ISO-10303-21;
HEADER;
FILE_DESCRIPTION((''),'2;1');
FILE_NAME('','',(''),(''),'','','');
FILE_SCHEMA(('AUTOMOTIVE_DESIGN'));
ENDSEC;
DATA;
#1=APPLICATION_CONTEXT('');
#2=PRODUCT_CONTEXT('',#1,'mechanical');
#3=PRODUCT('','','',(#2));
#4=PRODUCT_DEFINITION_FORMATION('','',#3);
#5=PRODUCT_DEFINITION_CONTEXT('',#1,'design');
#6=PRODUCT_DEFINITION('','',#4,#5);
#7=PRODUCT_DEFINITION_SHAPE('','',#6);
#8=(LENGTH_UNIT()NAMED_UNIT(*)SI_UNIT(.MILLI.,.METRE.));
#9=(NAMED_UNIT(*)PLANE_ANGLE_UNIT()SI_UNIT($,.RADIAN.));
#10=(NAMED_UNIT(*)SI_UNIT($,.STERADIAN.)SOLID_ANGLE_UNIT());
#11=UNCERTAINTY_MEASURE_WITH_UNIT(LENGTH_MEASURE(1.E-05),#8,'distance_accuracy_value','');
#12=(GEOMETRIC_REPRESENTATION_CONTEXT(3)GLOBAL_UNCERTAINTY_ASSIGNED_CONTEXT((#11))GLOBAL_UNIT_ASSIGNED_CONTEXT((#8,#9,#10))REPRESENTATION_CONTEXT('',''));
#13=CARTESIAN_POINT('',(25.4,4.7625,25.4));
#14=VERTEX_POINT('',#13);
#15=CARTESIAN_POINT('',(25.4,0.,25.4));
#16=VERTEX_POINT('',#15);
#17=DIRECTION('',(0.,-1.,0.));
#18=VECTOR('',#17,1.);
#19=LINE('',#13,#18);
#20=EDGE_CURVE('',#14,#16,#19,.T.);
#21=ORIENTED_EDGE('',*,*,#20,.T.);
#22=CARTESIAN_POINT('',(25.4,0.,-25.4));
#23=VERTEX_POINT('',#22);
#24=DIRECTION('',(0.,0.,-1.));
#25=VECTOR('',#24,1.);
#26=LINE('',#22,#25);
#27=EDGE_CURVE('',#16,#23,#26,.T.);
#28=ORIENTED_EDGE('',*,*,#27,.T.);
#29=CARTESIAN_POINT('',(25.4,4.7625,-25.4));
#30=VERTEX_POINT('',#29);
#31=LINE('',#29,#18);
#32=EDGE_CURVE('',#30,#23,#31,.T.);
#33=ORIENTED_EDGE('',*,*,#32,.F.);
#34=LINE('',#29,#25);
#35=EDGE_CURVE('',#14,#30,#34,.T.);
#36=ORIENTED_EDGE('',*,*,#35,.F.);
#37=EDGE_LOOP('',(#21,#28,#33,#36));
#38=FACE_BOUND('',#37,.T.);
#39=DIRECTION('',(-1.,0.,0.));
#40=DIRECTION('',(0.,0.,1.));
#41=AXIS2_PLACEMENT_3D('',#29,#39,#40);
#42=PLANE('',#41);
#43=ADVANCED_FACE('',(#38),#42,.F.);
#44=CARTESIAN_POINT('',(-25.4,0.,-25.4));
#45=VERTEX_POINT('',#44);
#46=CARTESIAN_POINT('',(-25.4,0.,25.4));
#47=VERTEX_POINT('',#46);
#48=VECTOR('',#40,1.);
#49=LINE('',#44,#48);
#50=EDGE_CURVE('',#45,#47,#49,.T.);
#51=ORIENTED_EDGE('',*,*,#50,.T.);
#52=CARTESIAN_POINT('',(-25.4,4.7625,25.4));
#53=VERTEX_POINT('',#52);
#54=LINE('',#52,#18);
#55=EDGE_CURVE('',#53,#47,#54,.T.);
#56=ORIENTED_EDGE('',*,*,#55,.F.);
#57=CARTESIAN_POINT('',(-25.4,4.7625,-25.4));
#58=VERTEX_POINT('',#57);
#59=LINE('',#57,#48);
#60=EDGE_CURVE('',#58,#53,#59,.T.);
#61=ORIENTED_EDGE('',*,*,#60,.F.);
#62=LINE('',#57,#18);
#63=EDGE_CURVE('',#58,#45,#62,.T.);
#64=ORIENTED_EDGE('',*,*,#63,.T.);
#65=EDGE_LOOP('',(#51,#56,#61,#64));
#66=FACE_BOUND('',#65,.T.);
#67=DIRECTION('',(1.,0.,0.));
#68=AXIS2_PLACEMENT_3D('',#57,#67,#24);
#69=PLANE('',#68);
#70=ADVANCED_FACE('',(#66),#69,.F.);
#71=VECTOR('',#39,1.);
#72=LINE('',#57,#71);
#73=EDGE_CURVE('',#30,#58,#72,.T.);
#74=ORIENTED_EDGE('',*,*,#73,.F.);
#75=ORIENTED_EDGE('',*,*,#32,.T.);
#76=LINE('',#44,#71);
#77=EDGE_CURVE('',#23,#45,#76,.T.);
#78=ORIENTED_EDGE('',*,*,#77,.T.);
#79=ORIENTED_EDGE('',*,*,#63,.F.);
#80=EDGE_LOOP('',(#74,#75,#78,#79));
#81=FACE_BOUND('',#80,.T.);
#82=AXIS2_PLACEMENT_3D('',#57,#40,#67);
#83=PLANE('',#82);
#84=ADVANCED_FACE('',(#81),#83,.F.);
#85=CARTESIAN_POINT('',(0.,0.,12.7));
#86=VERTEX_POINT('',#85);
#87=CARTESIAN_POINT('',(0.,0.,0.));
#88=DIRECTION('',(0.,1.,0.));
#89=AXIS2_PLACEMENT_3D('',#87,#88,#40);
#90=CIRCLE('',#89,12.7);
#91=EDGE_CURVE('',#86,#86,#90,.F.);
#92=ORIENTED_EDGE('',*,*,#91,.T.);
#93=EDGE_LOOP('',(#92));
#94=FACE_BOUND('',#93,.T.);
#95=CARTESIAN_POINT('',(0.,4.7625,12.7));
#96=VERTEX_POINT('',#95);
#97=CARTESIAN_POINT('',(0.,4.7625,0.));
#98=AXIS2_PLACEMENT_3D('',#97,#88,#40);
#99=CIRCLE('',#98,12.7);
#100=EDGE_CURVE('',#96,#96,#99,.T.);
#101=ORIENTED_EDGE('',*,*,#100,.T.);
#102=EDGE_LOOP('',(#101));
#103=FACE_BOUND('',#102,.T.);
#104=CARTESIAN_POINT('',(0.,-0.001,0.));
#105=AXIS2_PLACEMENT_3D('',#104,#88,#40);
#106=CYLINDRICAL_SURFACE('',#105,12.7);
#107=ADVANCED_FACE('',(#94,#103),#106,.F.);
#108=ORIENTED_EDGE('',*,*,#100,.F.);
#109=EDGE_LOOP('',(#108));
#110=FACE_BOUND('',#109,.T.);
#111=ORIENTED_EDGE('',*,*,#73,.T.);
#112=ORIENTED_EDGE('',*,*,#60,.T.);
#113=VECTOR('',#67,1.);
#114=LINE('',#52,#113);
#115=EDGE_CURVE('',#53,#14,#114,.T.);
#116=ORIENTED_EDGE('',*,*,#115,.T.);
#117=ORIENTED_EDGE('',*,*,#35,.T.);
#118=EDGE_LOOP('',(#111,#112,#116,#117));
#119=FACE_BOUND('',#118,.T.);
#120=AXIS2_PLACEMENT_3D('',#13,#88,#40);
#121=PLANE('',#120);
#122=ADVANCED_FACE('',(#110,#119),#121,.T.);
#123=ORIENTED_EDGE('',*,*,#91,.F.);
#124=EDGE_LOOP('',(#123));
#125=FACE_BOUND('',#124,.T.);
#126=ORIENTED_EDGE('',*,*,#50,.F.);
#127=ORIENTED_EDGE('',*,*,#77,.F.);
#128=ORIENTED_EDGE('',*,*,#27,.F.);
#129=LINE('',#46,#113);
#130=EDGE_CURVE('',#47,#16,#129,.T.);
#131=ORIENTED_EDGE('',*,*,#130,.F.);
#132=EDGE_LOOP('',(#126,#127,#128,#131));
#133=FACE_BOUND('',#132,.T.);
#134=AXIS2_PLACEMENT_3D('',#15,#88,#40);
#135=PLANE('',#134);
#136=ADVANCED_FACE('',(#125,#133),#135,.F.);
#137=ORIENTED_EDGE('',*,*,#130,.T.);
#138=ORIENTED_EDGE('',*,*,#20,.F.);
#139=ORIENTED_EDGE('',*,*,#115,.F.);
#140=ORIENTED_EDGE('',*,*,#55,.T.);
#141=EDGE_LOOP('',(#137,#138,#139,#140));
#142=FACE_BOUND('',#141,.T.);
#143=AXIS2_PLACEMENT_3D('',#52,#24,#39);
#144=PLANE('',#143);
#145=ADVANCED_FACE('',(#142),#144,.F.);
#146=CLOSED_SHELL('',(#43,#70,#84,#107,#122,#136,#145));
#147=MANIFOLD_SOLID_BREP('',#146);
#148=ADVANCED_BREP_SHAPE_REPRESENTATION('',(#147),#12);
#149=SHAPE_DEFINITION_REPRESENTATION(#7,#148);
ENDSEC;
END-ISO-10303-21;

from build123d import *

# Parameters (mm, degrees)
SKETCH1_W           = 50.8
SKETCH1_H           = 50.8
BOSS_EXTRUDE1_DEPTH = 4.7625
CUT_EXTRUDE1_REACH  = 38.235
SKETCH2_R           = 12.7


with BuildPart() as part:
    # Sketch1 → Boss-Extrude1 (new body)
    with BuildSketch(Plane(origin=(0, 0, 0), x_dir=(1, 0, 0), z_dir=(0, 1, 0))):
        Rectangle(SKETCH1_W, SKETCH1_H)
    extrude(amount=BOSS_EXTRUDE1_DEPTH)

    # Sketch2 → Cut-Extrude1 (cut, up to next)
    with BuildSketch(Plane(origin=(0, 4.7625, 0), x_dir=(1, 0, 0), z_dir=(0, 1, 0)), mode=Mode.PRIVATE) as cut_extrude1_sk1:
        with Locations(Location((0, 0, 0), (0, 0, 270))):
            Circle(SKETCH2_R)
    cut_extrude1_tool1 = extrude(cut_extrude1_sk1.sketch, amount=-CUT_EXTRUDE1_REACH, mode=Mode.PRIVATE) & part.part
    add(cut_extrude1_tool1.solids().sort_by_distance((0, 4.7625, 0))[0], mode=Mode.SUBTRACT)


solid = part.part
